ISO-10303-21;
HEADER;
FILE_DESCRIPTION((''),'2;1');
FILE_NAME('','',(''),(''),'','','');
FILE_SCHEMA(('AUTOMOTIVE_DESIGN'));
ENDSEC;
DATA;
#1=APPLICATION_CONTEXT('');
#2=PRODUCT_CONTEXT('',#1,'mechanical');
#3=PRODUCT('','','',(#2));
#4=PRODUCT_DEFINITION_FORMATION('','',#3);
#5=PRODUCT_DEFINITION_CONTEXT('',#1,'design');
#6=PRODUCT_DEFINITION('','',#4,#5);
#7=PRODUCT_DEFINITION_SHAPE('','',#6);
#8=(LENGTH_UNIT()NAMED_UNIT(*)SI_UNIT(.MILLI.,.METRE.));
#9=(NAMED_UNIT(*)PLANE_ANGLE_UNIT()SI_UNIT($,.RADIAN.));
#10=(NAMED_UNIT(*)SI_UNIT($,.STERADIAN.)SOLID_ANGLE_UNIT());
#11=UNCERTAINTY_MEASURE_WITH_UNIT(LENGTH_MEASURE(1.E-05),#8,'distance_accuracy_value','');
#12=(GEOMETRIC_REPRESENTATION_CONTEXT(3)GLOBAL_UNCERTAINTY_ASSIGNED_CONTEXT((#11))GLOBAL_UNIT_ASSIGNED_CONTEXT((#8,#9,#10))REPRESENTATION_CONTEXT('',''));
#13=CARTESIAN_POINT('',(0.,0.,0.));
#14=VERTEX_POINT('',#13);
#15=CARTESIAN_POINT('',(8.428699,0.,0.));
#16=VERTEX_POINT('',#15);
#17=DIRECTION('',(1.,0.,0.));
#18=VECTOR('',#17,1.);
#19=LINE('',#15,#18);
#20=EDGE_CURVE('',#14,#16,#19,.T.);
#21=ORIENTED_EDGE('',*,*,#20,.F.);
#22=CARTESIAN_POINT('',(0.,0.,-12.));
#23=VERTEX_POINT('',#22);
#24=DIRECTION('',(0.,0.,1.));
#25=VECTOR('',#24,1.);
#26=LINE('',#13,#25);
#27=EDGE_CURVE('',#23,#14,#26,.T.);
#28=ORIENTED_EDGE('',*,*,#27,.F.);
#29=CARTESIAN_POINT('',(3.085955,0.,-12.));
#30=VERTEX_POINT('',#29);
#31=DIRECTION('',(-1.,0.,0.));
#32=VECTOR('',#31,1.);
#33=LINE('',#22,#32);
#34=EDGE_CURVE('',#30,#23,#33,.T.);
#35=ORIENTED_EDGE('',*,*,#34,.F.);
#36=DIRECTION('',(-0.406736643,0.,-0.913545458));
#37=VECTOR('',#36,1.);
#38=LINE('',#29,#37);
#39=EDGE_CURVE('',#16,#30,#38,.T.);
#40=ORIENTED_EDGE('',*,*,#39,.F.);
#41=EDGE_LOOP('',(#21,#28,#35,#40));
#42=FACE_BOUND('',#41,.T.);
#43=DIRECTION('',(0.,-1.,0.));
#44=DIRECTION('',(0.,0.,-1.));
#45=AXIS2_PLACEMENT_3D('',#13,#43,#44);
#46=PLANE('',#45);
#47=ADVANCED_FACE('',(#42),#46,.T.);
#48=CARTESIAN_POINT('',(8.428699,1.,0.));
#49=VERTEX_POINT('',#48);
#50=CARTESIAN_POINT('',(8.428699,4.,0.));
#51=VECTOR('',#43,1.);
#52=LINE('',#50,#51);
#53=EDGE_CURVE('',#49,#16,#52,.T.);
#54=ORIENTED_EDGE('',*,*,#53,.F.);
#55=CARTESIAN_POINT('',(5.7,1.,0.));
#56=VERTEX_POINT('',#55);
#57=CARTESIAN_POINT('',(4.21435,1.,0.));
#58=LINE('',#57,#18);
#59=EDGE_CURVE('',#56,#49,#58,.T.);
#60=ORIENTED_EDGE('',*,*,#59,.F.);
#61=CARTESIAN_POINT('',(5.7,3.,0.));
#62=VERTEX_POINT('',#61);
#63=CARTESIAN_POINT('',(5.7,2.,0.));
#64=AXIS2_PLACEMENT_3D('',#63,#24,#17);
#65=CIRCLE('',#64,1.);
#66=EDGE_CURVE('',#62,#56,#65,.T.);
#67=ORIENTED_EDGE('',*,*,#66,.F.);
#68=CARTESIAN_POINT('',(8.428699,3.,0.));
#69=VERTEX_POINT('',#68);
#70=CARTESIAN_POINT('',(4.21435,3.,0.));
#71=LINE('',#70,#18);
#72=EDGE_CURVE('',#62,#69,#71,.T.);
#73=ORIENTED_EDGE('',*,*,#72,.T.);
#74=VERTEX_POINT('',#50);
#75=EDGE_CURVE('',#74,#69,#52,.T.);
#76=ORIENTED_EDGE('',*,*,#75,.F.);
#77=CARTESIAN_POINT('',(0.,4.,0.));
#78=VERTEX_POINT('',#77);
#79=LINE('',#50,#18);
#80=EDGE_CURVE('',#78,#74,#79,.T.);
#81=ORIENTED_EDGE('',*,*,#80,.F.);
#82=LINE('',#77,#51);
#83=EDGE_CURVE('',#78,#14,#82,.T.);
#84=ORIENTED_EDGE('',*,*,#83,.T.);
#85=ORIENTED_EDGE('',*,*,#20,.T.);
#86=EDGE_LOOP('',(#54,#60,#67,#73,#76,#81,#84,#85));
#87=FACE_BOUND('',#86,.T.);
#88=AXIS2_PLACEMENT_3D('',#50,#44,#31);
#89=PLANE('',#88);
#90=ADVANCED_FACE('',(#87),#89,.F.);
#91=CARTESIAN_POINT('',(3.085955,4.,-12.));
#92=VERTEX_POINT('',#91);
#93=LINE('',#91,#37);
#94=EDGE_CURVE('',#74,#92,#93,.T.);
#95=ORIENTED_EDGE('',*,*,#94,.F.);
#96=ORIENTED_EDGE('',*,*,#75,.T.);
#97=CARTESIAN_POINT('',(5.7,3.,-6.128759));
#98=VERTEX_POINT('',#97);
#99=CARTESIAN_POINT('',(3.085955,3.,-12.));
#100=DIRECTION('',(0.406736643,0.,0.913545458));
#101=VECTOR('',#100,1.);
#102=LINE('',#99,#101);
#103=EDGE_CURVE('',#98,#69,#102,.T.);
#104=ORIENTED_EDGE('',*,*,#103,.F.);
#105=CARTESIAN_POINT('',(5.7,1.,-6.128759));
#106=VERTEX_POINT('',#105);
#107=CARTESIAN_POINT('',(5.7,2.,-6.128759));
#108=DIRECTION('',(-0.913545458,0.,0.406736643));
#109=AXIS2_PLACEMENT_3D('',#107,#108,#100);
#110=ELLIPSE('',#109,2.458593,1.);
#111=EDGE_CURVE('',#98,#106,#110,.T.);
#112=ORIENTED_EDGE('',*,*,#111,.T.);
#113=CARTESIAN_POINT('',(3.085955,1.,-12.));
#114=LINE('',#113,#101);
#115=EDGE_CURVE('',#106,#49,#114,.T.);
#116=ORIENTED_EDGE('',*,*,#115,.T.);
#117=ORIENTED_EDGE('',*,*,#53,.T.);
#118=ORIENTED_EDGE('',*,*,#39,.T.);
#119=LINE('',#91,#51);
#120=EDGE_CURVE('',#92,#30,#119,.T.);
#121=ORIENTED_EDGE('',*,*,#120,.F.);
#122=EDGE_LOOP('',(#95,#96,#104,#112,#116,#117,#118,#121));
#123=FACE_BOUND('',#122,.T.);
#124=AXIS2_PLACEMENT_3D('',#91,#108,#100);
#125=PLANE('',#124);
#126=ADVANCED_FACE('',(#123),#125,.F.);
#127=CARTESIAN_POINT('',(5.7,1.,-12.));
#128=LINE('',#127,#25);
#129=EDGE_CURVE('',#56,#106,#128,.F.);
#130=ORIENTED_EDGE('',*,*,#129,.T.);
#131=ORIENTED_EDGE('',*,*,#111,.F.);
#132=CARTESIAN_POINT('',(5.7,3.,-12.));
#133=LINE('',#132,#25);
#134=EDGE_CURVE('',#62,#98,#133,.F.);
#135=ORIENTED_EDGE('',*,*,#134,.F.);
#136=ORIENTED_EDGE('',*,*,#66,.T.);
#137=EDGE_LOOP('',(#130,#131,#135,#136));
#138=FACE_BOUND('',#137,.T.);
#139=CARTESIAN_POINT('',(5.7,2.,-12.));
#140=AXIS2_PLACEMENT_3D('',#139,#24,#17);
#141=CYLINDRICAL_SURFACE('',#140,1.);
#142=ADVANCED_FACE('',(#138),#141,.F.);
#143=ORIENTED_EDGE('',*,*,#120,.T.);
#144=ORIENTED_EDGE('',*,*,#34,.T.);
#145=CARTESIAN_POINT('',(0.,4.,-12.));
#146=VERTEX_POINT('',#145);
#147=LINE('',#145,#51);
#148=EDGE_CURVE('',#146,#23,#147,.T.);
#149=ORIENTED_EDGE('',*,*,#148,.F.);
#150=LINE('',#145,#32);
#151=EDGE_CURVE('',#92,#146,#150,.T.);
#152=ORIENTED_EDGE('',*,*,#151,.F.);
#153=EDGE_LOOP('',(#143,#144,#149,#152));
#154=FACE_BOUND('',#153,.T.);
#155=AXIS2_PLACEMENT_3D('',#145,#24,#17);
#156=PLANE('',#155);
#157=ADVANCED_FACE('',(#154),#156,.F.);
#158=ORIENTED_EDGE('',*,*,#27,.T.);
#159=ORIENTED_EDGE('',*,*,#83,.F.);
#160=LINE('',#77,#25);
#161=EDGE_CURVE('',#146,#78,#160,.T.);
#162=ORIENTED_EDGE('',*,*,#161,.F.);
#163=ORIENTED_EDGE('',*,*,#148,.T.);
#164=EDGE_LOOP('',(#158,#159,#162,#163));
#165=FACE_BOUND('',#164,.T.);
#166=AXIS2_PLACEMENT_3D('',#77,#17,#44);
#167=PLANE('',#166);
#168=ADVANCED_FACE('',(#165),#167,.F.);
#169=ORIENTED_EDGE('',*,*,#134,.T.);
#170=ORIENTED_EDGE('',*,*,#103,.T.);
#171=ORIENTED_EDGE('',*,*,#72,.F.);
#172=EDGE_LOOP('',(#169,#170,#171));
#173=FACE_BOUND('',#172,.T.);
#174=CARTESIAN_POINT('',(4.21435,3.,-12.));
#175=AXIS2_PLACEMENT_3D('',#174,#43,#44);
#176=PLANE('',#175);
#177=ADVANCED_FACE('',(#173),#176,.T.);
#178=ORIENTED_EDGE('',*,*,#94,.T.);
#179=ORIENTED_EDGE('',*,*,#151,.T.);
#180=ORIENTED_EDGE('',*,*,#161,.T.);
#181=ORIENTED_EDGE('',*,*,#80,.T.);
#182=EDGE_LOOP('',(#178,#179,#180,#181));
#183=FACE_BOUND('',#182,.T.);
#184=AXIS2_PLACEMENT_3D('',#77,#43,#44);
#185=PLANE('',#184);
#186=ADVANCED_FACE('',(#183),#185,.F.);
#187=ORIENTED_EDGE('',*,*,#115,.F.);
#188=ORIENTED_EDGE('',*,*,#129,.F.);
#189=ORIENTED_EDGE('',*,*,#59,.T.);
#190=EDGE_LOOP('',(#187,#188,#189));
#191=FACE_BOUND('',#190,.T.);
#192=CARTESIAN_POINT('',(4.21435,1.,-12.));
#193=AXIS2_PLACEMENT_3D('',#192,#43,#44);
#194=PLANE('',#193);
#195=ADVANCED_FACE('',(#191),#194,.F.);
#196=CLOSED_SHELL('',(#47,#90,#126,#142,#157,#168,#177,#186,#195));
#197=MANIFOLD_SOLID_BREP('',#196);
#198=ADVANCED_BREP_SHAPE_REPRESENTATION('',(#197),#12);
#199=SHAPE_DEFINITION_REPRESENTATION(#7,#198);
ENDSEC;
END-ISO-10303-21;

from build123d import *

# Parameters (mm, degrees)
EXTRUDE_1_DEPTH     = 4
SKETCH_2_R          = 1
CUT_EXTRUDE_1_DEPTH = 13
CUT_EXTRUDE_2_DEPTH = 13


with BuildPart() as part:
    # Эскиз1 → Бобышка-Вытянуть1 (new body)
    with BuildSketch(Plane(origin=(0, 0, 0), x_dir=(1, 0, 0), z_dir=(0, 1, 0))):
        Polygon((0, 0), (0, 12), (3.085955121, 12), (8.428699344, 0), align=None)
    extrude(amount=EXTRUDE_1_DEPTH)

    # Эскиз2 → Вырез-Вытянуть1 (cut, through all)
    with BuildSketch(Plane.XY):
        with Locations((5.7, 2)):
            Circle(SKETCH_2_R)
    extrude(amount=-CUT_EXTRUDE_1_DEPTH, mode=Mode.SUBTRACT)

    # Эскиз3 → Вырез-Вытянуть2 (cut, through all)
    with BuildSketch(Plane.XY):
        with BuildLine():
            Line((8.428699344, 3), (5.7, 3))
            ThreePointArc((5.7, 3), (6.407106781, 2.707106781), (6.7, 2))
            ThreePointArc((6.7, 2), (6.407106781, 1.292893219), (5.7, 1))
            Line((5.7, 1), (8.428699344, 1))
            Line((8.428699344, 1), (8.428699344, 3))
        make_face()
    extrude(amount=-CUT_EXTRUDE_2_DEPTH, mode=Mode.SUBTRACT)


solid = part.part
